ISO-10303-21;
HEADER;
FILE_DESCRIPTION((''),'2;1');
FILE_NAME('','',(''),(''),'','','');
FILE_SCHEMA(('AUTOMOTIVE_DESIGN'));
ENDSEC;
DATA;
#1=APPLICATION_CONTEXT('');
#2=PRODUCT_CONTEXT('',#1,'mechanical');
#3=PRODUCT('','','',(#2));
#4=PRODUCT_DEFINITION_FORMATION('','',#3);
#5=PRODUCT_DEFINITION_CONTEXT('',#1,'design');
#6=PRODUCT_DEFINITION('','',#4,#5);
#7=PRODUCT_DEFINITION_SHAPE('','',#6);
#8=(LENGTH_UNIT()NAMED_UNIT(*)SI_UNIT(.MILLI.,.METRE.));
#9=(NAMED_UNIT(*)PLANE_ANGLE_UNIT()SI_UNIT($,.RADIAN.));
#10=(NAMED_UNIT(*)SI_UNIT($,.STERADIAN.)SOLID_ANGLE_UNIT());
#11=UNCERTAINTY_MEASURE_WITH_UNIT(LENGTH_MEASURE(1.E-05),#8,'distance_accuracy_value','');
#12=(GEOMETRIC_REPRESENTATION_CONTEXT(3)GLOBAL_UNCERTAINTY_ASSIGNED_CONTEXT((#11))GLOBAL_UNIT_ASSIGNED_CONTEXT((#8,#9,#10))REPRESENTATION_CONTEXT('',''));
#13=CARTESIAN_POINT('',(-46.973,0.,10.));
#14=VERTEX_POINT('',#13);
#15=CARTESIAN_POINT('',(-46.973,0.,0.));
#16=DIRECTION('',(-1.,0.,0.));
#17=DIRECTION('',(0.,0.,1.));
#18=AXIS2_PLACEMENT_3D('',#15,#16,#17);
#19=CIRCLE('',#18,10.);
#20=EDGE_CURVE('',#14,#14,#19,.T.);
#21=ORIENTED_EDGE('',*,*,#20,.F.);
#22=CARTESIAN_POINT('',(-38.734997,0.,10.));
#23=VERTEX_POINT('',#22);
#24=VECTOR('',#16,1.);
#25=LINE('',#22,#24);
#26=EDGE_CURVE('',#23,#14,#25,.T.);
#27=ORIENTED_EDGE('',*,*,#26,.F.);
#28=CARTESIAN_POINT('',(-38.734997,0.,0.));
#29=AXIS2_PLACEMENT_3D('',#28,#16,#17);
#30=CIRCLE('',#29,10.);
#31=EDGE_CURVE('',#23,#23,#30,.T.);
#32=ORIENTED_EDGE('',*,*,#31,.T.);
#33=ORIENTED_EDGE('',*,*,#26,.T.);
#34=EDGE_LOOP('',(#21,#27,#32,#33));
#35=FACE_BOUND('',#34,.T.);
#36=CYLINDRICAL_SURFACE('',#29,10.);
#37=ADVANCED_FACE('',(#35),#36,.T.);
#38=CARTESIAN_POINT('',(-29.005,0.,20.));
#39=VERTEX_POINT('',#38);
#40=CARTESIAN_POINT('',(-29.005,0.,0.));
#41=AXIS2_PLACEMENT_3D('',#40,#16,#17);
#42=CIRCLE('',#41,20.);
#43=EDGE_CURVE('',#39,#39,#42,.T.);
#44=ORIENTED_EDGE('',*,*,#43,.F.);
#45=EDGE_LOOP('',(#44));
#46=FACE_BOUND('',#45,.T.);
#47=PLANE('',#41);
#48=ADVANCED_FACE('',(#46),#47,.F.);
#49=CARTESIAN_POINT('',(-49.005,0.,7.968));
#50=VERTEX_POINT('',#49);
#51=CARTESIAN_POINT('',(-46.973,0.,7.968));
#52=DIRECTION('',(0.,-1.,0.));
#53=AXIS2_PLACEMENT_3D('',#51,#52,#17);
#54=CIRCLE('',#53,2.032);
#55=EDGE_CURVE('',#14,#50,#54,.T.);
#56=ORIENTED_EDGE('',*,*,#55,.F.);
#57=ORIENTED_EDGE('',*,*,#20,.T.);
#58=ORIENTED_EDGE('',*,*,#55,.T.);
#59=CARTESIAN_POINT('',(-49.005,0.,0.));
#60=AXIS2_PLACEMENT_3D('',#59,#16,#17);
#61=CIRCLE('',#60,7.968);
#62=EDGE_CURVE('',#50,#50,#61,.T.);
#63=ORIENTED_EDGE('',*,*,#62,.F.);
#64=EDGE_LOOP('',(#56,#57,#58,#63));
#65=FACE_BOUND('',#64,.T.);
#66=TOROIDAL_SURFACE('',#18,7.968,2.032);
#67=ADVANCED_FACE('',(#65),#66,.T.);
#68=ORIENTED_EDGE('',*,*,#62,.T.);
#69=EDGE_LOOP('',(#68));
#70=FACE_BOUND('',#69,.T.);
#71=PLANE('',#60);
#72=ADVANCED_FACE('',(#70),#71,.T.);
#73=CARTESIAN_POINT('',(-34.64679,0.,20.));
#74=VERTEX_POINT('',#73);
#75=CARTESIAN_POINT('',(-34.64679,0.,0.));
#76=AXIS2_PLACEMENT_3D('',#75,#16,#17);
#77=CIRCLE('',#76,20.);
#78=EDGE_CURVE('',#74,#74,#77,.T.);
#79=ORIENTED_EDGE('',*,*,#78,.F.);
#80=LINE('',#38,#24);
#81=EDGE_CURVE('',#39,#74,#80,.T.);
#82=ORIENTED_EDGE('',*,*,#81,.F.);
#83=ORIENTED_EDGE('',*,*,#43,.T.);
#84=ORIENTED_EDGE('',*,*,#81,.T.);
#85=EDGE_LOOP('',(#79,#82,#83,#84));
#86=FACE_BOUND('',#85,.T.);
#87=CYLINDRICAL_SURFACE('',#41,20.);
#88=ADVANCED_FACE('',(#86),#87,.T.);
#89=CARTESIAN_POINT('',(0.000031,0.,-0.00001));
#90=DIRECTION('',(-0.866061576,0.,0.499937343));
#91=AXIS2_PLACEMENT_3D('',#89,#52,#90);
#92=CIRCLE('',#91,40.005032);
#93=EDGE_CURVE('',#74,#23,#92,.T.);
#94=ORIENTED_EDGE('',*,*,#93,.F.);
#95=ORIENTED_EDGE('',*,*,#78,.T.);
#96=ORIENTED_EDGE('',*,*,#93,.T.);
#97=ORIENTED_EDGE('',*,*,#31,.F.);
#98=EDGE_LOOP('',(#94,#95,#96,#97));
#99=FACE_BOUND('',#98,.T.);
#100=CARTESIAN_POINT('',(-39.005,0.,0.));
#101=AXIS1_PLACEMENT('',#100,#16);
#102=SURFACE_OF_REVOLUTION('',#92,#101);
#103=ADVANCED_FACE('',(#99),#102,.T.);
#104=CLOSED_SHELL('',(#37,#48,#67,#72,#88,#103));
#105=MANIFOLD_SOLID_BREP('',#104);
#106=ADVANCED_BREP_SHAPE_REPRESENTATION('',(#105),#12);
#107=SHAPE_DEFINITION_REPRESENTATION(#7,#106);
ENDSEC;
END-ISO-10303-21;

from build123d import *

# Parameters (mm, degrees)
F2_R = 2.032


with BuildPart() as f1:
    # F0 (on Front) → F1 (revolve)
    with BuildSketch(Plane.XZ):
        with BuildLine():
            Line((-49.005, 0), (-40.005, 0))
            ThreePointArc((-40.005, 0), (-39.686229, 5.040161), (-38.734997, 10))
            Line((-38.734997, 10), (-45.831212, 10))
            Line((-45.831212, 10), (-49.005, 10))
            Line((-49.005, 10), (-49.005, 0))
        make_face()
        with BuildLine():
            ThreePointArc((-38.734997, 10), (-39.686229, 5.040161), (-40.005, 0))
            Line((-40.005, 0), (-29.005, 0))
            Line((-29.005, 0), (-29.005, 20))
            Line((-29.005, 20), (-34.64679, 20))
            ThreePointArc((-34.64679, 20), (-37.03001, 15.138638), (-38.734997, 10))
        make_face()
    revolve(axis=Axis((-39.005, 0, 0), (-1, 0, 0)))

    # F2
    f2_edges = [f1.edges().sort_by_distance(p)[0] for p in [
        (-49.005, 0, -10),
    ]]
    fillet(f2_edges, radius=F2_R)


solid = f1.part
